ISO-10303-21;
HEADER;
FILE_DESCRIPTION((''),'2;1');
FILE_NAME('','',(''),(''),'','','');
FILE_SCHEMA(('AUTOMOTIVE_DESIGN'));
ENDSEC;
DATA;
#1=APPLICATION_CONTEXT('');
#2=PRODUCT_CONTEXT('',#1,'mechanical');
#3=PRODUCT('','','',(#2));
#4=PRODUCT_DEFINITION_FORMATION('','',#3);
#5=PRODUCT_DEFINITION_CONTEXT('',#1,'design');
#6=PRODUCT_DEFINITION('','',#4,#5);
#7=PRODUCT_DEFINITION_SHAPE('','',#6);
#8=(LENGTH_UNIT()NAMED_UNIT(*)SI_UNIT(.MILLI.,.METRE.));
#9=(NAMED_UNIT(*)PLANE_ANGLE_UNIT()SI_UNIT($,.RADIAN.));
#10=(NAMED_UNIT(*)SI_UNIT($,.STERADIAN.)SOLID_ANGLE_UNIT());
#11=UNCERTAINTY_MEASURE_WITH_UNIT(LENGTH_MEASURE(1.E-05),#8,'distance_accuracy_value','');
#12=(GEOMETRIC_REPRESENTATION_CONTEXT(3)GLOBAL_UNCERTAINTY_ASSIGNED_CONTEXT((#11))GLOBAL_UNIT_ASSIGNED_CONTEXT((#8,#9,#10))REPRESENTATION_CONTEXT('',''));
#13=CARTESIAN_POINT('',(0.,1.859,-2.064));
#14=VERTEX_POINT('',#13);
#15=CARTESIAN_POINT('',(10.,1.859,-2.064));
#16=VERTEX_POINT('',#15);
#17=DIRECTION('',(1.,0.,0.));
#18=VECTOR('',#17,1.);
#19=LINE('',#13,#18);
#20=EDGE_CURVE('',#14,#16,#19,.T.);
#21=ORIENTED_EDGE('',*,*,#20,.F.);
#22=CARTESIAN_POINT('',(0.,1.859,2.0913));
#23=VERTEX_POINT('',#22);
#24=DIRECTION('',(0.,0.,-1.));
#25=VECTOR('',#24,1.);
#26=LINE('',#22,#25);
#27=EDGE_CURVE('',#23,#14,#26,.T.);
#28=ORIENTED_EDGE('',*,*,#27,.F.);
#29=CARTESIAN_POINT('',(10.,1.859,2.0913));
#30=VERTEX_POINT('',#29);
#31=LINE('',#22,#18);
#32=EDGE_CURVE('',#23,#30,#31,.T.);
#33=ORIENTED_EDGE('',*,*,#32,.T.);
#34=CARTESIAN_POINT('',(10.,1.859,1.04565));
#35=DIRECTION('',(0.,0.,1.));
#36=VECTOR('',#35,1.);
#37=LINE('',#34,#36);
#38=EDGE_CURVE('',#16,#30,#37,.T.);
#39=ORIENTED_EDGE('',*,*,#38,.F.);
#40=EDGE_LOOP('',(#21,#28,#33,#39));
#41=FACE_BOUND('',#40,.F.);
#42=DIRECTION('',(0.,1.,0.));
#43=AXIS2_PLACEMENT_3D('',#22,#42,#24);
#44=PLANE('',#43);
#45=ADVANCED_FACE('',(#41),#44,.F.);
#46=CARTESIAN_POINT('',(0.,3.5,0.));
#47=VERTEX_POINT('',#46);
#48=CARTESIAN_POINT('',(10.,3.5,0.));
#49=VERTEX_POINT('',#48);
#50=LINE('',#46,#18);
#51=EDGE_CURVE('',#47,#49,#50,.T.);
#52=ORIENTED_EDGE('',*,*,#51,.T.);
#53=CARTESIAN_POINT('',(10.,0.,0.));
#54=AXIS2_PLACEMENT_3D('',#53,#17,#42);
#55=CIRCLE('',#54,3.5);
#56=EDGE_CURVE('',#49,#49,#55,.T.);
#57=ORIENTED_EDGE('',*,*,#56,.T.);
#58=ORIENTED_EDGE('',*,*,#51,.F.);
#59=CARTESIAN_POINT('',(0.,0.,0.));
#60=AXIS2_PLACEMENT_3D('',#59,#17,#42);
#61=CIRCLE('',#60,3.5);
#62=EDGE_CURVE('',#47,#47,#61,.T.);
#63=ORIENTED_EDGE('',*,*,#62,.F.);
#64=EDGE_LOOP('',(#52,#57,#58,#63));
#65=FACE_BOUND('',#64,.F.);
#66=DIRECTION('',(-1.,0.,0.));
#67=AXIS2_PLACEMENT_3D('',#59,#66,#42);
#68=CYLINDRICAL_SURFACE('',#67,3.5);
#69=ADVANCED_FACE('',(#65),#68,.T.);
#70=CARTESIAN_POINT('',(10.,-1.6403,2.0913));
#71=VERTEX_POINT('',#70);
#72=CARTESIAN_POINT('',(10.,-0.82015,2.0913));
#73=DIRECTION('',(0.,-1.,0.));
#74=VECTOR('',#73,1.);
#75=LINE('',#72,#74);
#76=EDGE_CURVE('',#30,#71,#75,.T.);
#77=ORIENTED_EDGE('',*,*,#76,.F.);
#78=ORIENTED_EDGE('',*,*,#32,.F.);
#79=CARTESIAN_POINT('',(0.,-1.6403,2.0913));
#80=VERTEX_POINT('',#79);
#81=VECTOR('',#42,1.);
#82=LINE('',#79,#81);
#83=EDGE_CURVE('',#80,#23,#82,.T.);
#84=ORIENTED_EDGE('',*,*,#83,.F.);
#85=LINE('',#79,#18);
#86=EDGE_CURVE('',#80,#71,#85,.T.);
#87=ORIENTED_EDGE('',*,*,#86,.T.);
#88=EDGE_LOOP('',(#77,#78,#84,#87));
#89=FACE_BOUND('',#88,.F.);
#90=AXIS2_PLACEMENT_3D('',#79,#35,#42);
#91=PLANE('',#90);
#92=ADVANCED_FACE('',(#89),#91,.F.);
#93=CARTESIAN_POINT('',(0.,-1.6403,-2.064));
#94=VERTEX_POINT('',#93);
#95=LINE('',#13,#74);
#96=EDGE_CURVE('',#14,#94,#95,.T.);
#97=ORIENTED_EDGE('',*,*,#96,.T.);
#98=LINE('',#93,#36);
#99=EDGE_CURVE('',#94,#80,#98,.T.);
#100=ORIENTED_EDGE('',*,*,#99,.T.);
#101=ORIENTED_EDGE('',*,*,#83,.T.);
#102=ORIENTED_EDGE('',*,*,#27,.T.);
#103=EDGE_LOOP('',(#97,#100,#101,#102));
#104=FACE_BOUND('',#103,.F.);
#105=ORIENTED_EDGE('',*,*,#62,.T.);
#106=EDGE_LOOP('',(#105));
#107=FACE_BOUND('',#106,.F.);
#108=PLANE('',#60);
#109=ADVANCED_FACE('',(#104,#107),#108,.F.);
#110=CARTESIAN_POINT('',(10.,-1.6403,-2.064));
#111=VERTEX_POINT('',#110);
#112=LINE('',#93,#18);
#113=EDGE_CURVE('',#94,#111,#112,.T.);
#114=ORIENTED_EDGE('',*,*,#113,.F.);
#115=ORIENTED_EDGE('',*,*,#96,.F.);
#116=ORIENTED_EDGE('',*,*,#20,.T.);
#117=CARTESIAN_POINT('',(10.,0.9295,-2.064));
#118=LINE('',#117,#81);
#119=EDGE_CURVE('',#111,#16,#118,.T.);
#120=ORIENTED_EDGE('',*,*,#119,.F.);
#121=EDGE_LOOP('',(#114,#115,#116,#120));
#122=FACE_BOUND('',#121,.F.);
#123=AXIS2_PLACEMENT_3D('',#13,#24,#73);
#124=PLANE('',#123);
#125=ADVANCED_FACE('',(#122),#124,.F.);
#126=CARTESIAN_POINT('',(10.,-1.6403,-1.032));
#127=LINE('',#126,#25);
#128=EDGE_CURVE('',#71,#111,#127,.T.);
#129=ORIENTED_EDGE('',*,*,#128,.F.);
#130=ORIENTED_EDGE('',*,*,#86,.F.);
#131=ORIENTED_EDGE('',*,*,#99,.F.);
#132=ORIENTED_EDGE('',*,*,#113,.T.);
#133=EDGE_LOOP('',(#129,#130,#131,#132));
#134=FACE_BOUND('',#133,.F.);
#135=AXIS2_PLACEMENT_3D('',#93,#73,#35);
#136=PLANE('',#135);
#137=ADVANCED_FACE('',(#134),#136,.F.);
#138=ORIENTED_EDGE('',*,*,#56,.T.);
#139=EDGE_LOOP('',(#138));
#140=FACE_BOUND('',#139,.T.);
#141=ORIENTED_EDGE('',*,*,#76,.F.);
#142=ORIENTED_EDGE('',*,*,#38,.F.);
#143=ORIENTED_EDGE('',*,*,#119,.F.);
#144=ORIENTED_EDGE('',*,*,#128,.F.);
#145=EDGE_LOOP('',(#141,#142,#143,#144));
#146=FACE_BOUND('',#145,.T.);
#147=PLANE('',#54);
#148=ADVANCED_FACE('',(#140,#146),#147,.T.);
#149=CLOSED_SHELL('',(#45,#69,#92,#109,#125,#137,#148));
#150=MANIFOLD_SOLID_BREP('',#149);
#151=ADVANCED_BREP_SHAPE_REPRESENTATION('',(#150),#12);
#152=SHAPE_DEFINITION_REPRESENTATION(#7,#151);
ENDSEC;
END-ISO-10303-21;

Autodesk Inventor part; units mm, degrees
ref_plane "YZ Plane" through (0, 0, 0) normal (1, 0, 0) x (0, 1, 0)
ref_plane "XZ Plane" through (0, 0, 0) normal (0, 1, 0) x (-1, 0, 0)
ref_plane "XY Plane" through (0, 0, 0) normal (0, 0, 1) x (1, 0, 0)
sketch "Sketch1" plane through (0, 0, 0) normal (1, 0, 0) x (0, 1, 0)
  circle A0 centre (0, 0) radius 3.5
  dimension "d7" = 7
extrude "Extrusion1" add sketch "Sketch1" along normal blind 10
sketch "Sketch2" plane through (0, 0, 0) normal (-1, 0, 0) x (0, 0, 1)
  line L0 (2.0913, 1.859) -> (-2.064, 1.859)
  line L1 (-2.064, 1.859) -> (-2.064, -1.6403)
  line L2 (-2.064, -1.6403) -> (2.0913, -1.6403)
  line L3 (2.0913, -1.6403) -> (2.0913, 1.859)
  point P0 (0, 0)
sketch "Sketch4" plane through (10, 0, 0) normal (1, 0, 0) x (0, 0, -1)
  point P0 (0, 0)
extrude "Extrusion2" cut sketch "Sketch2" against normal blind 16.25
properties part number "Wkp 01.03"
